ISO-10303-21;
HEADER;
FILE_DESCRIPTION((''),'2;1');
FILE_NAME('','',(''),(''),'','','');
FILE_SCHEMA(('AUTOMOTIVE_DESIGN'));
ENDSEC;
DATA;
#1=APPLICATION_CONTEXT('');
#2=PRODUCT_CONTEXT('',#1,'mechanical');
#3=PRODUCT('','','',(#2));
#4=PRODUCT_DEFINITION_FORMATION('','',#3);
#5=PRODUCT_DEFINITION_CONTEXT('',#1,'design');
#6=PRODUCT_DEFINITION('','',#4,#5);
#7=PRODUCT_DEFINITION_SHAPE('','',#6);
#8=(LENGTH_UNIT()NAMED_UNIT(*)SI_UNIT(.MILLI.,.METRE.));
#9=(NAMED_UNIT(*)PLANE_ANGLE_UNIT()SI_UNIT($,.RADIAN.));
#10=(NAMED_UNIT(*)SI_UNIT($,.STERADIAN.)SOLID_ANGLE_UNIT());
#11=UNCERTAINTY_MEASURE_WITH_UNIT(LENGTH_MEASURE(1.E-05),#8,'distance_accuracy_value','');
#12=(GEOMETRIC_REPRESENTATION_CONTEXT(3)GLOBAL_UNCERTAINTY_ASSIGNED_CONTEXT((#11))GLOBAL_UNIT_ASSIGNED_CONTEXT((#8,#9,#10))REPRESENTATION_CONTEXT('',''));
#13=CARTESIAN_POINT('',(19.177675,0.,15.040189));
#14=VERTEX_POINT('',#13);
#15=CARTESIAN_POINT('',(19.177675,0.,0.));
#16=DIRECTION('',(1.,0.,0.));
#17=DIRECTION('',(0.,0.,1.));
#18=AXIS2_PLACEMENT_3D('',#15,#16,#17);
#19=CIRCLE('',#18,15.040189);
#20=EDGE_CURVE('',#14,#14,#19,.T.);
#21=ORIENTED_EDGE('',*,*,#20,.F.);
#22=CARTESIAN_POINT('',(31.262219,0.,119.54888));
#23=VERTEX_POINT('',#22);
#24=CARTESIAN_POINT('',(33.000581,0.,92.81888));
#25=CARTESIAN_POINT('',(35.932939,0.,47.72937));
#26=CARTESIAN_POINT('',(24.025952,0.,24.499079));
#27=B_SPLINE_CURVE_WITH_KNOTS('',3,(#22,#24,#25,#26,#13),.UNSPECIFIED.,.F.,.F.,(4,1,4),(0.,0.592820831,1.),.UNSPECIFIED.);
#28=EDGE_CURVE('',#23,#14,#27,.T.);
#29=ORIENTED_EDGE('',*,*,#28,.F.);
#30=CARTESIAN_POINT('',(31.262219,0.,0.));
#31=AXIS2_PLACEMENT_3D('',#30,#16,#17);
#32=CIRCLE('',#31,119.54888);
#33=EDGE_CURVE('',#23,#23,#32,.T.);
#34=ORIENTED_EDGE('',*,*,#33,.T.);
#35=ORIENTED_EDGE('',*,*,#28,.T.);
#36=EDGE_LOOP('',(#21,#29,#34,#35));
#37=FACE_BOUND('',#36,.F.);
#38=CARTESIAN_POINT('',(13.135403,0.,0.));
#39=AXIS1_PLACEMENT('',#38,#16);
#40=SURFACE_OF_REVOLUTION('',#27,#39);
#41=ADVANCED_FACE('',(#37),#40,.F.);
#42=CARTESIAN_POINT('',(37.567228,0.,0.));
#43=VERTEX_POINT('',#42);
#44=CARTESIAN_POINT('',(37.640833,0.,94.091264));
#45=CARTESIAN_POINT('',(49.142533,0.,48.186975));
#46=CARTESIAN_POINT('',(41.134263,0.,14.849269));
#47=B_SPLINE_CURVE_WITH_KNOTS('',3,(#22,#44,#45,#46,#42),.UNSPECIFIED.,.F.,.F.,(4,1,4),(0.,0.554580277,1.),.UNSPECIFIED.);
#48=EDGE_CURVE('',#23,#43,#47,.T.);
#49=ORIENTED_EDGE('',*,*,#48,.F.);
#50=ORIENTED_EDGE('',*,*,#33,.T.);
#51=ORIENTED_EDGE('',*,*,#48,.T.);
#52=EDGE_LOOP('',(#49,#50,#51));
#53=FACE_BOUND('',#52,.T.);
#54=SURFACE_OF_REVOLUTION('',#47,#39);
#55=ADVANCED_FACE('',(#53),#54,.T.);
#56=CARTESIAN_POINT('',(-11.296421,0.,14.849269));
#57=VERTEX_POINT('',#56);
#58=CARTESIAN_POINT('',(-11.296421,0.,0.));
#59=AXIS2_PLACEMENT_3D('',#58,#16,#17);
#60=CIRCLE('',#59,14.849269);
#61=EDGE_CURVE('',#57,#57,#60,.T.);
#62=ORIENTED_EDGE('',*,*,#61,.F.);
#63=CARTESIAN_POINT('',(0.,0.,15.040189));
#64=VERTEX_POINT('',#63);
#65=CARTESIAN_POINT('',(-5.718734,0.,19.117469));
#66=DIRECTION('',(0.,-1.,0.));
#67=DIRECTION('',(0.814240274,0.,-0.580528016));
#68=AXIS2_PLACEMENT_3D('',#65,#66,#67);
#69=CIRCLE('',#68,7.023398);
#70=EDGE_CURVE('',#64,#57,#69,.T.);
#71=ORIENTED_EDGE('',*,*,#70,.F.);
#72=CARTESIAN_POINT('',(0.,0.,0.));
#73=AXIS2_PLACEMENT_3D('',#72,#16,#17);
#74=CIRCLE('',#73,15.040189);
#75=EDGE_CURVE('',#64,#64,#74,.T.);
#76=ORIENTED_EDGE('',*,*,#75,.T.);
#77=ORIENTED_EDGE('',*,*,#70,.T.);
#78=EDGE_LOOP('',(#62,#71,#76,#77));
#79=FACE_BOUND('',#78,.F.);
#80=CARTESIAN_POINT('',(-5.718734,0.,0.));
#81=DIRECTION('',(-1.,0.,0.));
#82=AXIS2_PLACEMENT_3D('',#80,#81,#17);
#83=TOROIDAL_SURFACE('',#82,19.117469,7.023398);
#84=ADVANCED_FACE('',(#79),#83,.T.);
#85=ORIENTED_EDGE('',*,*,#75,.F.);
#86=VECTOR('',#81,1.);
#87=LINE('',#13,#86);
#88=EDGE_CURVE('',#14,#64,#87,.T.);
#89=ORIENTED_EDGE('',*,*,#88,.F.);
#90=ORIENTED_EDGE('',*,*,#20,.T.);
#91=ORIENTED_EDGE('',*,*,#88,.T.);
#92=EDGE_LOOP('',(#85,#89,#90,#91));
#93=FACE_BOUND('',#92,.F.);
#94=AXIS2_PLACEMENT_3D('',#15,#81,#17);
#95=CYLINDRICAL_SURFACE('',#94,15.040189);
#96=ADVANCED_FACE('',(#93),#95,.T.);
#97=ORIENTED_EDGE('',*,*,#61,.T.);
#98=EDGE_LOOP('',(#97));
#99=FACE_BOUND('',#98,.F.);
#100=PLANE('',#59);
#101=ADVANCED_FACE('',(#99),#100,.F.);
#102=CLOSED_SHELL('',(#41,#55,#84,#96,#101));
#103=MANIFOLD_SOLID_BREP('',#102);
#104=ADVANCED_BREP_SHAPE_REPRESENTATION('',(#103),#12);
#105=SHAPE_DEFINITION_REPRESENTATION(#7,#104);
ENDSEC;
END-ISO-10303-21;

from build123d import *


with BuildPart() as f1:
    # F0 (on Front) → F1 (revolve)
    with BuildSketch(Plane.XZ):
        with BuildLine():
            add(Edge.make_bspline(
                [(31.2622189522, 119.5488795638), (37.6408333759, 94.0912636598), (49.1425325366, 48.1869746319), (41.1342634929, 14.8492690325), (37.5672280788, 0)],
                knots=[0, 0, 0, 0, 0.5545802773, 1, 1, 1, 1], degree=3))
            add(Edge.make_bspline(
                [(31.2622189522, 119.5488795638), (33.0005814394, 92.8188798896), (35.9329391423, 47.7293695307), (24.0259520852, 24.4990789614), (19.1776752472, 15.0401890278)],
                knots=[0, 0, 0, 0, 0.5928208313, 1, 1, 1, 1], degree=3))
            Line((19.1776752472, 15.0401890278), (0, 15.0401890278))
            ThreePointArc((0, 15.0401890278), (-5.8374188081, 26.139864047), (-11.2964212894, 14.8492690325))
            Line((-11.2964212894, 14.8492690325), (-11.2964212894, 0))
            Line((-11.2964212894, 0), (37.5672280788, 0))
        make_face()
    revolve(axis=Axis((13.1354033947, 0, 0), (1, 0, 0)))


solid = f1.part
